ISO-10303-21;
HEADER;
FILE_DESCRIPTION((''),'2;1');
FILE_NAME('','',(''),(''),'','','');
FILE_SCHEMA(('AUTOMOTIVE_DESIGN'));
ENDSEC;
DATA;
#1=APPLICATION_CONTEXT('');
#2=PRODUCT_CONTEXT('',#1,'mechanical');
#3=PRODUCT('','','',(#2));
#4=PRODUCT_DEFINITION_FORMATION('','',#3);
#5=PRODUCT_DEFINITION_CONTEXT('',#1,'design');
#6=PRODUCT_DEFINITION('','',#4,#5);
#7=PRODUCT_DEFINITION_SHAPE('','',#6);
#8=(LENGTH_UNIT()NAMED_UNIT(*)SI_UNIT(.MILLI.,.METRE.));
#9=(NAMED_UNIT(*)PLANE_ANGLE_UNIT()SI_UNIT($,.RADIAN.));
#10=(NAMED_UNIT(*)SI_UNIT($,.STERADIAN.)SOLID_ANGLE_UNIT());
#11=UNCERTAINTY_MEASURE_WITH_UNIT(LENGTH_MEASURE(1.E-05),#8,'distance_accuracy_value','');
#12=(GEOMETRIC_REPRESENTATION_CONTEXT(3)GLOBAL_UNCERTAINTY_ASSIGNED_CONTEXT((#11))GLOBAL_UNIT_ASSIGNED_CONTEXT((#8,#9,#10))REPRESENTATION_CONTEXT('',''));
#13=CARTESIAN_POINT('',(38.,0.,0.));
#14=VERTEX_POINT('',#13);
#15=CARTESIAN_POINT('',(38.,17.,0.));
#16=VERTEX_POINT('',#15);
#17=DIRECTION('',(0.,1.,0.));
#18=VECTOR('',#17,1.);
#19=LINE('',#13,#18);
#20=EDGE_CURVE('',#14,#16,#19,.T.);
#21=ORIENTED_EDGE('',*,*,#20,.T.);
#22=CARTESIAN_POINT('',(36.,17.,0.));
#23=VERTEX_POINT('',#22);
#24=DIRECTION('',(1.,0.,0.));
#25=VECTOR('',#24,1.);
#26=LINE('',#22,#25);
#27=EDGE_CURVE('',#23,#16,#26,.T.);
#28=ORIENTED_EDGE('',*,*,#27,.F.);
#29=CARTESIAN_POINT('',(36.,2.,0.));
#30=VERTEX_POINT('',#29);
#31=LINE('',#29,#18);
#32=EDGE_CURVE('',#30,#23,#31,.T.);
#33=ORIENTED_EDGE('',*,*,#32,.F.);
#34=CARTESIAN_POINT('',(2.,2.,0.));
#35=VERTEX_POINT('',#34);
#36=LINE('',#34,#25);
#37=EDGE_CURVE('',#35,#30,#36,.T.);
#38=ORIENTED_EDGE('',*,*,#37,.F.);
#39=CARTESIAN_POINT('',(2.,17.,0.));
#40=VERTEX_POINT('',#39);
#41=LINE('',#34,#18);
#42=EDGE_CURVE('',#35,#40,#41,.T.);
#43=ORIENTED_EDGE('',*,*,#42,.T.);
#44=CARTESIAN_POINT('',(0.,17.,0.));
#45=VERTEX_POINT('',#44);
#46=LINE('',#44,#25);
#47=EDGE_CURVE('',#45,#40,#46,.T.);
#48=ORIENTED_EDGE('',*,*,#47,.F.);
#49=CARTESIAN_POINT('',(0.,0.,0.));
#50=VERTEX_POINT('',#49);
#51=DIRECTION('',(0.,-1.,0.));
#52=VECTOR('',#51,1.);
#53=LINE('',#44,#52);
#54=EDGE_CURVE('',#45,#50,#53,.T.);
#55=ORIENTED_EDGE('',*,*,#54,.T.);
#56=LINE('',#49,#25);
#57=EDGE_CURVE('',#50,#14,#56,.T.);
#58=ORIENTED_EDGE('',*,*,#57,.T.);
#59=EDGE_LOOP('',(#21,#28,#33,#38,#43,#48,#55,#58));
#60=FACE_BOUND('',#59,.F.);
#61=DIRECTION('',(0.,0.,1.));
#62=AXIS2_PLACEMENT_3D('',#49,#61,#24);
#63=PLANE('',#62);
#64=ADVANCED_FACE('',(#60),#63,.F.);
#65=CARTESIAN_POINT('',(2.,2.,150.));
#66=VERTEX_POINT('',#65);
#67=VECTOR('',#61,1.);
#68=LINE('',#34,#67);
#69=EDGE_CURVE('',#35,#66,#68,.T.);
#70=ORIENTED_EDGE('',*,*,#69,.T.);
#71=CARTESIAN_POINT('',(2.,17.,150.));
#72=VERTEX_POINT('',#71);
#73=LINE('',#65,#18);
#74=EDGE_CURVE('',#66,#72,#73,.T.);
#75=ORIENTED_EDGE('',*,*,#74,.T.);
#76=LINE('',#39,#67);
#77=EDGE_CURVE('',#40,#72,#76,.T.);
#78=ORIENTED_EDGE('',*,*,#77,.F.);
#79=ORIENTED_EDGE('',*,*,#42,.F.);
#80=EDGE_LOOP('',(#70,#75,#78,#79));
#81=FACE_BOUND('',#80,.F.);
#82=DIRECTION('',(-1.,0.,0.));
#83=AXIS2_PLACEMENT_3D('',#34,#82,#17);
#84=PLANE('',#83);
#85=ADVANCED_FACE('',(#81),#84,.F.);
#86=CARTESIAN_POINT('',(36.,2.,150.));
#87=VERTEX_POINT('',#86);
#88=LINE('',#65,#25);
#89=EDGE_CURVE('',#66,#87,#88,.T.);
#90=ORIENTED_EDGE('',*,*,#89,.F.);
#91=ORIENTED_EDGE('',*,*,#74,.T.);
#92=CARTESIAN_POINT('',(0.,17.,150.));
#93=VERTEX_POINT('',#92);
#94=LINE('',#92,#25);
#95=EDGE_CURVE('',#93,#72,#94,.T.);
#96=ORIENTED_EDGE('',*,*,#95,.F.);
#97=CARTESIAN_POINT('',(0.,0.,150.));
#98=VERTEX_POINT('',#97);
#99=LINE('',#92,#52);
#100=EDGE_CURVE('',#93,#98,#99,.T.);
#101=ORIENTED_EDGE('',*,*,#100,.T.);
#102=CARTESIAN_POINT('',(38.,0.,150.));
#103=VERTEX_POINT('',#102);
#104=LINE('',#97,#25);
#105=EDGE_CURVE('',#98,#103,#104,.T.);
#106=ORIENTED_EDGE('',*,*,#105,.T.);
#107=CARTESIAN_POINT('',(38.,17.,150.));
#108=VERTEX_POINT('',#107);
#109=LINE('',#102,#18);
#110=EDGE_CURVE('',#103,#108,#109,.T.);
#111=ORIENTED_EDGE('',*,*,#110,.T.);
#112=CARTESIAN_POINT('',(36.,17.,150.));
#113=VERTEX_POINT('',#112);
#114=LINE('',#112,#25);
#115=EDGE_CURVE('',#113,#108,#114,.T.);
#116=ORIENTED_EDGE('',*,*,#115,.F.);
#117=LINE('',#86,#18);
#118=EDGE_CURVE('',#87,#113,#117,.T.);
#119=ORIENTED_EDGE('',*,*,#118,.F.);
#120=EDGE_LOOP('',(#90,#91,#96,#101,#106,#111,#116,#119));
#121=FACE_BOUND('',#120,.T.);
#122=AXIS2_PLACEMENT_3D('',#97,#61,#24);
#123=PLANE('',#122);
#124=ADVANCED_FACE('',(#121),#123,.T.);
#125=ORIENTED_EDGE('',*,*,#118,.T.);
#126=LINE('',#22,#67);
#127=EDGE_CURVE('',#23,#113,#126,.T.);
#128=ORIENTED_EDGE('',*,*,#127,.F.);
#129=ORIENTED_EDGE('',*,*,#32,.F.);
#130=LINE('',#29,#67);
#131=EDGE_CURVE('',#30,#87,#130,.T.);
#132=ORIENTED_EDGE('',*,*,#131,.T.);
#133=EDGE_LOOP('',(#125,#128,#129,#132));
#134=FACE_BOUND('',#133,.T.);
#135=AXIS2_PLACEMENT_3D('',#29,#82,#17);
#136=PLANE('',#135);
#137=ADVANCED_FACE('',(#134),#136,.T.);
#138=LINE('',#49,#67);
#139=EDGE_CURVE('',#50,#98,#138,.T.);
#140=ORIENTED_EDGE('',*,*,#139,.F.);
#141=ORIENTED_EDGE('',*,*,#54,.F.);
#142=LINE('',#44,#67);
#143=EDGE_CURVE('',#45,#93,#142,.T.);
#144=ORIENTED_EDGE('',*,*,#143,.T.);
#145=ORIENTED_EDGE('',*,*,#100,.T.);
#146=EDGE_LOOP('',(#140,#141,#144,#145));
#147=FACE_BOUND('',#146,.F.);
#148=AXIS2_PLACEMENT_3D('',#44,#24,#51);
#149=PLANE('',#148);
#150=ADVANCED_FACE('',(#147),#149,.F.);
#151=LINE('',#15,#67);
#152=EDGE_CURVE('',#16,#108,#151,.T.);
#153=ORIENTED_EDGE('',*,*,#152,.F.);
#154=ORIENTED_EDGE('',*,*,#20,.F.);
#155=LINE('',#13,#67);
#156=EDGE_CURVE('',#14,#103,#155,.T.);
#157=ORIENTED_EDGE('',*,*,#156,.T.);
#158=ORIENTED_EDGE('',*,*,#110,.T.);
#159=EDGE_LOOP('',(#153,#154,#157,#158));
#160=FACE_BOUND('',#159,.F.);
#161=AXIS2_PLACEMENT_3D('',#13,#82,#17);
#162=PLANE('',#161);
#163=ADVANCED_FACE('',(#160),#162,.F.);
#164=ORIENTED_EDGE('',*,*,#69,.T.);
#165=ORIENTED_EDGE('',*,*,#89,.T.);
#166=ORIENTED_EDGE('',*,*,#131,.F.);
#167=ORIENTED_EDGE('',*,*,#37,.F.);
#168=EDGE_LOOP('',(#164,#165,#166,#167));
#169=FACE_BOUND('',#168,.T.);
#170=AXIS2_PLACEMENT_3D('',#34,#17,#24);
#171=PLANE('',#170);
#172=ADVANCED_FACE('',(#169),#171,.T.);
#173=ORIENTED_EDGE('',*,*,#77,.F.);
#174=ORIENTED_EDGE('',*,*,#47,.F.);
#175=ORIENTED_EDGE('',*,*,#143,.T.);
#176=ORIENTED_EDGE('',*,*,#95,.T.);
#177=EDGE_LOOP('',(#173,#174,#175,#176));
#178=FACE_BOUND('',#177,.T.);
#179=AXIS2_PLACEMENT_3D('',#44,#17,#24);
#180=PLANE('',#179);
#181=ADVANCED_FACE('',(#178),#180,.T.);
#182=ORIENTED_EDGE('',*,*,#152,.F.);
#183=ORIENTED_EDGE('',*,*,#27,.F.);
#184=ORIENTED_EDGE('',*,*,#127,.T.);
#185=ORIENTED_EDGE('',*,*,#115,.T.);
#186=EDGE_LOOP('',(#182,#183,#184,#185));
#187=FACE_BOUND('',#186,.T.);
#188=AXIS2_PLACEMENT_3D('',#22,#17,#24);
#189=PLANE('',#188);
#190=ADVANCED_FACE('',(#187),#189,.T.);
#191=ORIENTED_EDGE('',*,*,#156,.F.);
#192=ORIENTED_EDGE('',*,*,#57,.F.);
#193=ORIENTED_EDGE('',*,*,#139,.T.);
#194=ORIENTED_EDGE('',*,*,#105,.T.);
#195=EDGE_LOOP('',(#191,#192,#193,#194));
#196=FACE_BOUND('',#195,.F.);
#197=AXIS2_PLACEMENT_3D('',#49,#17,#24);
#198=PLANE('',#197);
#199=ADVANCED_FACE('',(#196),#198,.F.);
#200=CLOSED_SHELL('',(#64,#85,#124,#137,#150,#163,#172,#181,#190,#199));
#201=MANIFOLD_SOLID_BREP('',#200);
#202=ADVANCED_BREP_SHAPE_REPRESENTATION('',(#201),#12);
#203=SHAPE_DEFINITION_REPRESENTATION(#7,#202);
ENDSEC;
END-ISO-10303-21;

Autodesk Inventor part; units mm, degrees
ref_plane "YZ Plane" through (0, 0, 0) normal (1, 0, 0) x (0, 1, 0)
ref_plane "XZ Plane" through (0, 0, 0) normal (0, 1, 0) x (-1, 0, 0)
ref_plane "XY Plane" through (0, 0, 0) normal (0, 0, 1) x (1, 0, 0)
sketch "Sketch1" plane through (0, 0, 0) normal (0, 0, 1) x (1, 0, 0)
  line L0 (2, 2) -> (36, 2)
  line L1 (36, 2) -> (36, 17)
  line L2 (2, 2) -> (2, 17)
  line L3 (0, 17) -> (0, 0)
  line L4 (0, 0) -> (38, 0)
  line L5 (38, 0) -> (38, 17)
  line L6 (0, 17) -> (2, 17)
  line L7 (36, 17) -> (38, 17)
  dimension "d0" = 34
  dimension "d1" = 15
  dimension "d2" = 15
  dimension "d3" = 2
extrude "Extrusion1" add sketch "Sketch1" along normal blind 150
properties part number "slide1"
